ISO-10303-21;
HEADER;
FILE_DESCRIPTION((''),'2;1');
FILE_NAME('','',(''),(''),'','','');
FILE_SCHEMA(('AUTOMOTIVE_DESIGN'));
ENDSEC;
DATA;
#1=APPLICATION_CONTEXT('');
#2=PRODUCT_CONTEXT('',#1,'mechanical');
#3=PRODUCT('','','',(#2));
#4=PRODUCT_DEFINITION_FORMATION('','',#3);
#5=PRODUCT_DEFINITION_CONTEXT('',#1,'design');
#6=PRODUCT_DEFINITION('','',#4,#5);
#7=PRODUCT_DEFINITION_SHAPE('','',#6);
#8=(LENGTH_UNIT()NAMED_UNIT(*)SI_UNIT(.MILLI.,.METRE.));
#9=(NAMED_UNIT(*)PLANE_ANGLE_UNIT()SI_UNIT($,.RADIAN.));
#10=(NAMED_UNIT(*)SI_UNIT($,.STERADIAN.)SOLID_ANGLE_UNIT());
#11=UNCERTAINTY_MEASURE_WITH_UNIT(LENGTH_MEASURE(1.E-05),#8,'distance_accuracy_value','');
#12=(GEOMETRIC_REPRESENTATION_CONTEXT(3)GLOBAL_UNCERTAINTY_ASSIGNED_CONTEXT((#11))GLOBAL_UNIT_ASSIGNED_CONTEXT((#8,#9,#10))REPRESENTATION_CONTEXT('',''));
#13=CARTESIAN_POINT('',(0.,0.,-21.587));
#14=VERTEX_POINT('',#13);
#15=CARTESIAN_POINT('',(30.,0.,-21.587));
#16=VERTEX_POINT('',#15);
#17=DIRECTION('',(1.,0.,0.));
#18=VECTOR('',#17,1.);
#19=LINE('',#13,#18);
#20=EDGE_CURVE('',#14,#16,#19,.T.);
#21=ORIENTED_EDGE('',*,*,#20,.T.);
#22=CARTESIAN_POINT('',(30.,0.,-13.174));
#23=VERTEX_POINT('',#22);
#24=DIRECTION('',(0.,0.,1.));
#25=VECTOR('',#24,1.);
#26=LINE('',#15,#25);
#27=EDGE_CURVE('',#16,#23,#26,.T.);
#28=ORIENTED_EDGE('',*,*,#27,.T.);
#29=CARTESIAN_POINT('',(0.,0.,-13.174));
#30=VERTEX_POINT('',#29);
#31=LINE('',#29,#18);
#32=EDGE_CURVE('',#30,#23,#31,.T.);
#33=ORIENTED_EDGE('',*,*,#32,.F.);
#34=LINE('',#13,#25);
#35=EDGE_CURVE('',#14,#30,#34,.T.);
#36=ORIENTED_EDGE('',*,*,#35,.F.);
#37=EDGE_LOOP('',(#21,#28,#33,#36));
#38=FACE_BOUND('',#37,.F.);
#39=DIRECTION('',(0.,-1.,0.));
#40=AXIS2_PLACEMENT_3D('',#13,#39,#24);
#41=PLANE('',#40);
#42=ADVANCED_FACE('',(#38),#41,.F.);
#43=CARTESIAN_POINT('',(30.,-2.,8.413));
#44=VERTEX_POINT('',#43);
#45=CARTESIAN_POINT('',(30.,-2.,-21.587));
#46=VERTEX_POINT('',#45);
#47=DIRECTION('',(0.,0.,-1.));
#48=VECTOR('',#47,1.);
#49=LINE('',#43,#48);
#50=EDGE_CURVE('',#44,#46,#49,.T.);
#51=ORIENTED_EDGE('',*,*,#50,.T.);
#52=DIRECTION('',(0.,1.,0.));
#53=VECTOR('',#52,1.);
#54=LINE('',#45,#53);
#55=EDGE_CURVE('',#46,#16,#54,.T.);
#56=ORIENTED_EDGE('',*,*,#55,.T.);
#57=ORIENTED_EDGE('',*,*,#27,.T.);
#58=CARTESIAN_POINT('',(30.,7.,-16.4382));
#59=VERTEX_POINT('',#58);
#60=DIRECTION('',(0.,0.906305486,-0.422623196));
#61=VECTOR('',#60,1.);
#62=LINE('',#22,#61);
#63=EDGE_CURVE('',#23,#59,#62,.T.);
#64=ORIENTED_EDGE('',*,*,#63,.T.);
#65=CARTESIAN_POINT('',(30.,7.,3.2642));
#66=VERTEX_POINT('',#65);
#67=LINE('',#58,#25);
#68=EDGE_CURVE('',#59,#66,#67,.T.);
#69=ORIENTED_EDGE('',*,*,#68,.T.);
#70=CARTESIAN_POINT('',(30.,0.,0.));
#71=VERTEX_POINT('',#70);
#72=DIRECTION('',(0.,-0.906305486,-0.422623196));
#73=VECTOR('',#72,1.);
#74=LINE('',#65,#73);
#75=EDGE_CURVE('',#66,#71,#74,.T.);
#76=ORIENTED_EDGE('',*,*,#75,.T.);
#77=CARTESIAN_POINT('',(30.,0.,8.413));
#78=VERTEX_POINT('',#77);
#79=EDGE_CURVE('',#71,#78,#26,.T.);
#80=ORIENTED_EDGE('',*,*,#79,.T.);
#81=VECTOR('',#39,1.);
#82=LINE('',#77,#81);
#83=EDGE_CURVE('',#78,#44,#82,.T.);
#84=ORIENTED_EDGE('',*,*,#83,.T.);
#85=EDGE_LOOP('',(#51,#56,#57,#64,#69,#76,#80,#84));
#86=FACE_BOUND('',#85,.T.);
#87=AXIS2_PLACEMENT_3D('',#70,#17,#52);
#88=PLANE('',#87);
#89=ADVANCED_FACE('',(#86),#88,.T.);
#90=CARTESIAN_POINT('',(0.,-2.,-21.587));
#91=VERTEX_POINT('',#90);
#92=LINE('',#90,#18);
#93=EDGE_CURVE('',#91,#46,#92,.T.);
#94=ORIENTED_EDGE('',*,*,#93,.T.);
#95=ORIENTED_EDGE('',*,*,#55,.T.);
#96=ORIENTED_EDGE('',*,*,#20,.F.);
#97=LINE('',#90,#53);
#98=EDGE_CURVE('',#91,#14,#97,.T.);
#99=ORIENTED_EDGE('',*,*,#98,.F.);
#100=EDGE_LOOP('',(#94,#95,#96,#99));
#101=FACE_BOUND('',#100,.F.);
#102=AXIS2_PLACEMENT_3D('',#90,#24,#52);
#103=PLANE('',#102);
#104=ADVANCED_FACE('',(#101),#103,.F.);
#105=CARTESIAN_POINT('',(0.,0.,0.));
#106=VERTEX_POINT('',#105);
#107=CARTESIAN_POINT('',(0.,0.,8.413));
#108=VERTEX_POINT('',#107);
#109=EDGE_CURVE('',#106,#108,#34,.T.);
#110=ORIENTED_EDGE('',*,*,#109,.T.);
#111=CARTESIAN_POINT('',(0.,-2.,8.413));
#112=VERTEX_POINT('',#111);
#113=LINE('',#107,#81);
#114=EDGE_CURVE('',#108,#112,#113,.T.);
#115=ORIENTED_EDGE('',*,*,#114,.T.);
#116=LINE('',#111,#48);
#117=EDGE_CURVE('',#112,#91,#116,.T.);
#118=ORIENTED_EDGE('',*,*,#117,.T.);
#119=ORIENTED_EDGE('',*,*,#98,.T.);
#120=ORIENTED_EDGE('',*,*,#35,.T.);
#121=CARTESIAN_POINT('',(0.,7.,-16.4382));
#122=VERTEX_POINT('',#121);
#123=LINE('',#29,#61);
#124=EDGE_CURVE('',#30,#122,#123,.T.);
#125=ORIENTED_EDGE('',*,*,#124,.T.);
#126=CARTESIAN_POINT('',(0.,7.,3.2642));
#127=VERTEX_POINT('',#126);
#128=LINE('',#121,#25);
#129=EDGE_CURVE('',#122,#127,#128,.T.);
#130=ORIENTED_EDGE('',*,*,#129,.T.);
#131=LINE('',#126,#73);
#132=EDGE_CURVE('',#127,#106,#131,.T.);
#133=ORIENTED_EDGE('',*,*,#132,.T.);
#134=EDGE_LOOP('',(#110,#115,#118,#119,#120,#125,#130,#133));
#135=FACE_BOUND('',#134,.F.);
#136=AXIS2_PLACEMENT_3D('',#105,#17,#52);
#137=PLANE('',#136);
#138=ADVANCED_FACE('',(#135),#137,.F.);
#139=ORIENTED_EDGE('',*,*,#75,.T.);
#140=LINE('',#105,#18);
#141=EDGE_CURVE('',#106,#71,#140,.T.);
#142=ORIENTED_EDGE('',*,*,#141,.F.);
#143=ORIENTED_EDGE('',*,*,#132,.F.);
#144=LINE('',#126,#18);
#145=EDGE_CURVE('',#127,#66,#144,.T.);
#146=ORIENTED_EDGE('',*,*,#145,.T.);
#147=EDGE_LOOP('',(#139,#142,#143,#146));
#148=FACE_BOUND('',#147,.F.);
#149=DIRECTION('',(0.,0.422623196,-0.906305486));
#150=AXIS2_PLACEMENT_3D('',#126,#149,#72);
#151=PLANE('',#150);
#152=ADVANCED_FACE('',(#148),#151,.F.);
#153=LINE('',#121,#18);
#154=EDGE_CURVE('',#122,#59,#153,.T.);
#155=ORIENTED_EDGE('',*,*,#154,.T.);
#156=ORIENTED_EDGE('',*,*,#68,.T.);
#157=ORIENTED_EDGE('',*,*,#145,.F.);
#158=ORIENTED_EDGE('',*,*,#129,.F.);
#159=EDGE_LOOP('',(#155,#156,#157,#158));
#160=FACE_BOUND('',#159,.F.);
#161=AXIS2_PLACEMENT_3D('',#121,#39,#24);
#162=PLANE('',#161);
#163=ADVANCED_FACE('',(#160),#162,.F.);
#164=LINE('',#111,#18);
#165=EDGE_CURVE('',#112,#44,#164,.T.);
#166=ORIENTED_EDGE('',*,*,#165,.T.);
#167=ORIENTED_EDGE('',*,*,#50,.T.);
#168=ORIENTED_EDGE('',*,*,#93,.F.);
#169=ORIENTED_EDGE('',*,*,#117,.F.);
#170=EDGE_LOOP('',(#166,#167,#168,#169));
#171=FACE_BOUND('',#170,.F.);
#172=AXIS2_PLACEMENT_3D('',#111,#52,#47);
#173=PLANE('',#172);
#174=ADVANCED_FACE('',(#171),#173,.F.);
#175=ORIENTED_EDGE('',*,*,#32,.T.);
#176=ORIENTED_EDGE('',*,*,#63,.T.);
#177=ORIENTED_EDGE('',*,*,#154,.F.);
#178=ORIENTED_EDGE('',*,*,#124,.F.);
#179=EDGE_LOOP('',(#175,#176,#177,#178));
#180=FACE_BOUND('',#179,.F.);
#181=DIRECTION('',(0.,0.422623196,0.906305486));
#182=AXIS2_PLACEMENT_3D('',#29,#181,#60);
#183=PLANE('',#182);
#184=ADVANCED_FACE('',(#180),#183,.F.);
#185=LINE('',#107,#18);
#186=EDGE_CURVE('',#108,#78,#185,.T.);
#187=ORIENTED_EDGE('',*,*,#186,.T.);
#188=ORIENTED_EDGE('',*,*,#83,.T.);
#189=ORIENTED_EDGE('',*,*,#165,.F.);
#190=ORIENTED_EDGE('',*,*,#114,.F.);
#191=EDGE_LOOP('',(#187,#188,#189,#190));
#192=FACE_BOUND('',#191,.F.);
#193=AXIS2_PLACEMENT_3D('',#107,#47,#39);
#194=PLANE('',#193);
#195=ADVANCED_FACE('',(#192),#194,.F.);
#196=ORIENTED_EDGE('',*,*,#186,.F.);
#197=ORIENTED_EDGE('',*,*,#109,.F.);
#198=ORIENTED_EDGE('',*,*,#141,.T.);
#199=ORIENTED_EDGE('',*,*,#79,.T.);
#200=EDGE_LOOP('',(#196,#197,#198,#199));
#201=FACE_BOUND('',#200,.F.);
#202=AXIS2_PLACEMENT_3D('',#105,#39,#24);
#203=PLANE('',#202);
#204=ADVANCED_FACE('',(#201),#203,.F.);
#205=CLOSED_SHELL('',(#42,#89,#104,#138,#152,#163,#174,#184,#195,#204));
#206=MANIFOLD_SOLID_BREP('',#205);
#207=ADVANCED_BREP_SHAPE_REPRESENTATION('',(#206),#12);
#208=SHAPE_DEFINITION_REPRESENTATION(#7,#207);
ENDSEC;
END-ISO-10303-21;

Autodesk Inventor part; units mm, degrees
ref_plane "YZ Plane" through (0, 0, 0) normal (1, 0, 0) x (0, 1, 0)
ref_plane "XZ Plane" through (0, 0, 0) normal (0, 1, 0) x (-1, 0, 0)
ref_plane "XY Plane" through (0, 0, 0) normal (0, 0, 1) x (1, 0, 0)
sketch "Sketch1" plane through (0, 0, 0) normal (1, 0, 0) x (0, 1, 0)
  line L0 (0, 0) -> (0, -13.174)
  line L1 (0, -13.174) -> (7, -16.4382)
  line L2 (7, -16.4382) -> (7, 3.2642)
  line L3 (7, 3.2642) -> (0, 0)
  line L4 (0, 8.413) -> (-2, 8.413)
  line L5 (-2, 8.413) -> (-2, -21.587)
  line L6 (-2, -21.587) -> (0, -21.587)
  line L7 (0, -21.587) -> (0, 8.413)
  point P0 (0, -6.587)
  dimension "d0" = 13.174
  dimension "d1" = 65
  dimension "d2" = 65
  dimension "d3" = 7
  dimension "d4" = 2
  dimension "d5" = 30
extrude "Extrusion1" add sketch "Sketch1" along normal blind 30
properties part number "Bottom Sensor Mount"
